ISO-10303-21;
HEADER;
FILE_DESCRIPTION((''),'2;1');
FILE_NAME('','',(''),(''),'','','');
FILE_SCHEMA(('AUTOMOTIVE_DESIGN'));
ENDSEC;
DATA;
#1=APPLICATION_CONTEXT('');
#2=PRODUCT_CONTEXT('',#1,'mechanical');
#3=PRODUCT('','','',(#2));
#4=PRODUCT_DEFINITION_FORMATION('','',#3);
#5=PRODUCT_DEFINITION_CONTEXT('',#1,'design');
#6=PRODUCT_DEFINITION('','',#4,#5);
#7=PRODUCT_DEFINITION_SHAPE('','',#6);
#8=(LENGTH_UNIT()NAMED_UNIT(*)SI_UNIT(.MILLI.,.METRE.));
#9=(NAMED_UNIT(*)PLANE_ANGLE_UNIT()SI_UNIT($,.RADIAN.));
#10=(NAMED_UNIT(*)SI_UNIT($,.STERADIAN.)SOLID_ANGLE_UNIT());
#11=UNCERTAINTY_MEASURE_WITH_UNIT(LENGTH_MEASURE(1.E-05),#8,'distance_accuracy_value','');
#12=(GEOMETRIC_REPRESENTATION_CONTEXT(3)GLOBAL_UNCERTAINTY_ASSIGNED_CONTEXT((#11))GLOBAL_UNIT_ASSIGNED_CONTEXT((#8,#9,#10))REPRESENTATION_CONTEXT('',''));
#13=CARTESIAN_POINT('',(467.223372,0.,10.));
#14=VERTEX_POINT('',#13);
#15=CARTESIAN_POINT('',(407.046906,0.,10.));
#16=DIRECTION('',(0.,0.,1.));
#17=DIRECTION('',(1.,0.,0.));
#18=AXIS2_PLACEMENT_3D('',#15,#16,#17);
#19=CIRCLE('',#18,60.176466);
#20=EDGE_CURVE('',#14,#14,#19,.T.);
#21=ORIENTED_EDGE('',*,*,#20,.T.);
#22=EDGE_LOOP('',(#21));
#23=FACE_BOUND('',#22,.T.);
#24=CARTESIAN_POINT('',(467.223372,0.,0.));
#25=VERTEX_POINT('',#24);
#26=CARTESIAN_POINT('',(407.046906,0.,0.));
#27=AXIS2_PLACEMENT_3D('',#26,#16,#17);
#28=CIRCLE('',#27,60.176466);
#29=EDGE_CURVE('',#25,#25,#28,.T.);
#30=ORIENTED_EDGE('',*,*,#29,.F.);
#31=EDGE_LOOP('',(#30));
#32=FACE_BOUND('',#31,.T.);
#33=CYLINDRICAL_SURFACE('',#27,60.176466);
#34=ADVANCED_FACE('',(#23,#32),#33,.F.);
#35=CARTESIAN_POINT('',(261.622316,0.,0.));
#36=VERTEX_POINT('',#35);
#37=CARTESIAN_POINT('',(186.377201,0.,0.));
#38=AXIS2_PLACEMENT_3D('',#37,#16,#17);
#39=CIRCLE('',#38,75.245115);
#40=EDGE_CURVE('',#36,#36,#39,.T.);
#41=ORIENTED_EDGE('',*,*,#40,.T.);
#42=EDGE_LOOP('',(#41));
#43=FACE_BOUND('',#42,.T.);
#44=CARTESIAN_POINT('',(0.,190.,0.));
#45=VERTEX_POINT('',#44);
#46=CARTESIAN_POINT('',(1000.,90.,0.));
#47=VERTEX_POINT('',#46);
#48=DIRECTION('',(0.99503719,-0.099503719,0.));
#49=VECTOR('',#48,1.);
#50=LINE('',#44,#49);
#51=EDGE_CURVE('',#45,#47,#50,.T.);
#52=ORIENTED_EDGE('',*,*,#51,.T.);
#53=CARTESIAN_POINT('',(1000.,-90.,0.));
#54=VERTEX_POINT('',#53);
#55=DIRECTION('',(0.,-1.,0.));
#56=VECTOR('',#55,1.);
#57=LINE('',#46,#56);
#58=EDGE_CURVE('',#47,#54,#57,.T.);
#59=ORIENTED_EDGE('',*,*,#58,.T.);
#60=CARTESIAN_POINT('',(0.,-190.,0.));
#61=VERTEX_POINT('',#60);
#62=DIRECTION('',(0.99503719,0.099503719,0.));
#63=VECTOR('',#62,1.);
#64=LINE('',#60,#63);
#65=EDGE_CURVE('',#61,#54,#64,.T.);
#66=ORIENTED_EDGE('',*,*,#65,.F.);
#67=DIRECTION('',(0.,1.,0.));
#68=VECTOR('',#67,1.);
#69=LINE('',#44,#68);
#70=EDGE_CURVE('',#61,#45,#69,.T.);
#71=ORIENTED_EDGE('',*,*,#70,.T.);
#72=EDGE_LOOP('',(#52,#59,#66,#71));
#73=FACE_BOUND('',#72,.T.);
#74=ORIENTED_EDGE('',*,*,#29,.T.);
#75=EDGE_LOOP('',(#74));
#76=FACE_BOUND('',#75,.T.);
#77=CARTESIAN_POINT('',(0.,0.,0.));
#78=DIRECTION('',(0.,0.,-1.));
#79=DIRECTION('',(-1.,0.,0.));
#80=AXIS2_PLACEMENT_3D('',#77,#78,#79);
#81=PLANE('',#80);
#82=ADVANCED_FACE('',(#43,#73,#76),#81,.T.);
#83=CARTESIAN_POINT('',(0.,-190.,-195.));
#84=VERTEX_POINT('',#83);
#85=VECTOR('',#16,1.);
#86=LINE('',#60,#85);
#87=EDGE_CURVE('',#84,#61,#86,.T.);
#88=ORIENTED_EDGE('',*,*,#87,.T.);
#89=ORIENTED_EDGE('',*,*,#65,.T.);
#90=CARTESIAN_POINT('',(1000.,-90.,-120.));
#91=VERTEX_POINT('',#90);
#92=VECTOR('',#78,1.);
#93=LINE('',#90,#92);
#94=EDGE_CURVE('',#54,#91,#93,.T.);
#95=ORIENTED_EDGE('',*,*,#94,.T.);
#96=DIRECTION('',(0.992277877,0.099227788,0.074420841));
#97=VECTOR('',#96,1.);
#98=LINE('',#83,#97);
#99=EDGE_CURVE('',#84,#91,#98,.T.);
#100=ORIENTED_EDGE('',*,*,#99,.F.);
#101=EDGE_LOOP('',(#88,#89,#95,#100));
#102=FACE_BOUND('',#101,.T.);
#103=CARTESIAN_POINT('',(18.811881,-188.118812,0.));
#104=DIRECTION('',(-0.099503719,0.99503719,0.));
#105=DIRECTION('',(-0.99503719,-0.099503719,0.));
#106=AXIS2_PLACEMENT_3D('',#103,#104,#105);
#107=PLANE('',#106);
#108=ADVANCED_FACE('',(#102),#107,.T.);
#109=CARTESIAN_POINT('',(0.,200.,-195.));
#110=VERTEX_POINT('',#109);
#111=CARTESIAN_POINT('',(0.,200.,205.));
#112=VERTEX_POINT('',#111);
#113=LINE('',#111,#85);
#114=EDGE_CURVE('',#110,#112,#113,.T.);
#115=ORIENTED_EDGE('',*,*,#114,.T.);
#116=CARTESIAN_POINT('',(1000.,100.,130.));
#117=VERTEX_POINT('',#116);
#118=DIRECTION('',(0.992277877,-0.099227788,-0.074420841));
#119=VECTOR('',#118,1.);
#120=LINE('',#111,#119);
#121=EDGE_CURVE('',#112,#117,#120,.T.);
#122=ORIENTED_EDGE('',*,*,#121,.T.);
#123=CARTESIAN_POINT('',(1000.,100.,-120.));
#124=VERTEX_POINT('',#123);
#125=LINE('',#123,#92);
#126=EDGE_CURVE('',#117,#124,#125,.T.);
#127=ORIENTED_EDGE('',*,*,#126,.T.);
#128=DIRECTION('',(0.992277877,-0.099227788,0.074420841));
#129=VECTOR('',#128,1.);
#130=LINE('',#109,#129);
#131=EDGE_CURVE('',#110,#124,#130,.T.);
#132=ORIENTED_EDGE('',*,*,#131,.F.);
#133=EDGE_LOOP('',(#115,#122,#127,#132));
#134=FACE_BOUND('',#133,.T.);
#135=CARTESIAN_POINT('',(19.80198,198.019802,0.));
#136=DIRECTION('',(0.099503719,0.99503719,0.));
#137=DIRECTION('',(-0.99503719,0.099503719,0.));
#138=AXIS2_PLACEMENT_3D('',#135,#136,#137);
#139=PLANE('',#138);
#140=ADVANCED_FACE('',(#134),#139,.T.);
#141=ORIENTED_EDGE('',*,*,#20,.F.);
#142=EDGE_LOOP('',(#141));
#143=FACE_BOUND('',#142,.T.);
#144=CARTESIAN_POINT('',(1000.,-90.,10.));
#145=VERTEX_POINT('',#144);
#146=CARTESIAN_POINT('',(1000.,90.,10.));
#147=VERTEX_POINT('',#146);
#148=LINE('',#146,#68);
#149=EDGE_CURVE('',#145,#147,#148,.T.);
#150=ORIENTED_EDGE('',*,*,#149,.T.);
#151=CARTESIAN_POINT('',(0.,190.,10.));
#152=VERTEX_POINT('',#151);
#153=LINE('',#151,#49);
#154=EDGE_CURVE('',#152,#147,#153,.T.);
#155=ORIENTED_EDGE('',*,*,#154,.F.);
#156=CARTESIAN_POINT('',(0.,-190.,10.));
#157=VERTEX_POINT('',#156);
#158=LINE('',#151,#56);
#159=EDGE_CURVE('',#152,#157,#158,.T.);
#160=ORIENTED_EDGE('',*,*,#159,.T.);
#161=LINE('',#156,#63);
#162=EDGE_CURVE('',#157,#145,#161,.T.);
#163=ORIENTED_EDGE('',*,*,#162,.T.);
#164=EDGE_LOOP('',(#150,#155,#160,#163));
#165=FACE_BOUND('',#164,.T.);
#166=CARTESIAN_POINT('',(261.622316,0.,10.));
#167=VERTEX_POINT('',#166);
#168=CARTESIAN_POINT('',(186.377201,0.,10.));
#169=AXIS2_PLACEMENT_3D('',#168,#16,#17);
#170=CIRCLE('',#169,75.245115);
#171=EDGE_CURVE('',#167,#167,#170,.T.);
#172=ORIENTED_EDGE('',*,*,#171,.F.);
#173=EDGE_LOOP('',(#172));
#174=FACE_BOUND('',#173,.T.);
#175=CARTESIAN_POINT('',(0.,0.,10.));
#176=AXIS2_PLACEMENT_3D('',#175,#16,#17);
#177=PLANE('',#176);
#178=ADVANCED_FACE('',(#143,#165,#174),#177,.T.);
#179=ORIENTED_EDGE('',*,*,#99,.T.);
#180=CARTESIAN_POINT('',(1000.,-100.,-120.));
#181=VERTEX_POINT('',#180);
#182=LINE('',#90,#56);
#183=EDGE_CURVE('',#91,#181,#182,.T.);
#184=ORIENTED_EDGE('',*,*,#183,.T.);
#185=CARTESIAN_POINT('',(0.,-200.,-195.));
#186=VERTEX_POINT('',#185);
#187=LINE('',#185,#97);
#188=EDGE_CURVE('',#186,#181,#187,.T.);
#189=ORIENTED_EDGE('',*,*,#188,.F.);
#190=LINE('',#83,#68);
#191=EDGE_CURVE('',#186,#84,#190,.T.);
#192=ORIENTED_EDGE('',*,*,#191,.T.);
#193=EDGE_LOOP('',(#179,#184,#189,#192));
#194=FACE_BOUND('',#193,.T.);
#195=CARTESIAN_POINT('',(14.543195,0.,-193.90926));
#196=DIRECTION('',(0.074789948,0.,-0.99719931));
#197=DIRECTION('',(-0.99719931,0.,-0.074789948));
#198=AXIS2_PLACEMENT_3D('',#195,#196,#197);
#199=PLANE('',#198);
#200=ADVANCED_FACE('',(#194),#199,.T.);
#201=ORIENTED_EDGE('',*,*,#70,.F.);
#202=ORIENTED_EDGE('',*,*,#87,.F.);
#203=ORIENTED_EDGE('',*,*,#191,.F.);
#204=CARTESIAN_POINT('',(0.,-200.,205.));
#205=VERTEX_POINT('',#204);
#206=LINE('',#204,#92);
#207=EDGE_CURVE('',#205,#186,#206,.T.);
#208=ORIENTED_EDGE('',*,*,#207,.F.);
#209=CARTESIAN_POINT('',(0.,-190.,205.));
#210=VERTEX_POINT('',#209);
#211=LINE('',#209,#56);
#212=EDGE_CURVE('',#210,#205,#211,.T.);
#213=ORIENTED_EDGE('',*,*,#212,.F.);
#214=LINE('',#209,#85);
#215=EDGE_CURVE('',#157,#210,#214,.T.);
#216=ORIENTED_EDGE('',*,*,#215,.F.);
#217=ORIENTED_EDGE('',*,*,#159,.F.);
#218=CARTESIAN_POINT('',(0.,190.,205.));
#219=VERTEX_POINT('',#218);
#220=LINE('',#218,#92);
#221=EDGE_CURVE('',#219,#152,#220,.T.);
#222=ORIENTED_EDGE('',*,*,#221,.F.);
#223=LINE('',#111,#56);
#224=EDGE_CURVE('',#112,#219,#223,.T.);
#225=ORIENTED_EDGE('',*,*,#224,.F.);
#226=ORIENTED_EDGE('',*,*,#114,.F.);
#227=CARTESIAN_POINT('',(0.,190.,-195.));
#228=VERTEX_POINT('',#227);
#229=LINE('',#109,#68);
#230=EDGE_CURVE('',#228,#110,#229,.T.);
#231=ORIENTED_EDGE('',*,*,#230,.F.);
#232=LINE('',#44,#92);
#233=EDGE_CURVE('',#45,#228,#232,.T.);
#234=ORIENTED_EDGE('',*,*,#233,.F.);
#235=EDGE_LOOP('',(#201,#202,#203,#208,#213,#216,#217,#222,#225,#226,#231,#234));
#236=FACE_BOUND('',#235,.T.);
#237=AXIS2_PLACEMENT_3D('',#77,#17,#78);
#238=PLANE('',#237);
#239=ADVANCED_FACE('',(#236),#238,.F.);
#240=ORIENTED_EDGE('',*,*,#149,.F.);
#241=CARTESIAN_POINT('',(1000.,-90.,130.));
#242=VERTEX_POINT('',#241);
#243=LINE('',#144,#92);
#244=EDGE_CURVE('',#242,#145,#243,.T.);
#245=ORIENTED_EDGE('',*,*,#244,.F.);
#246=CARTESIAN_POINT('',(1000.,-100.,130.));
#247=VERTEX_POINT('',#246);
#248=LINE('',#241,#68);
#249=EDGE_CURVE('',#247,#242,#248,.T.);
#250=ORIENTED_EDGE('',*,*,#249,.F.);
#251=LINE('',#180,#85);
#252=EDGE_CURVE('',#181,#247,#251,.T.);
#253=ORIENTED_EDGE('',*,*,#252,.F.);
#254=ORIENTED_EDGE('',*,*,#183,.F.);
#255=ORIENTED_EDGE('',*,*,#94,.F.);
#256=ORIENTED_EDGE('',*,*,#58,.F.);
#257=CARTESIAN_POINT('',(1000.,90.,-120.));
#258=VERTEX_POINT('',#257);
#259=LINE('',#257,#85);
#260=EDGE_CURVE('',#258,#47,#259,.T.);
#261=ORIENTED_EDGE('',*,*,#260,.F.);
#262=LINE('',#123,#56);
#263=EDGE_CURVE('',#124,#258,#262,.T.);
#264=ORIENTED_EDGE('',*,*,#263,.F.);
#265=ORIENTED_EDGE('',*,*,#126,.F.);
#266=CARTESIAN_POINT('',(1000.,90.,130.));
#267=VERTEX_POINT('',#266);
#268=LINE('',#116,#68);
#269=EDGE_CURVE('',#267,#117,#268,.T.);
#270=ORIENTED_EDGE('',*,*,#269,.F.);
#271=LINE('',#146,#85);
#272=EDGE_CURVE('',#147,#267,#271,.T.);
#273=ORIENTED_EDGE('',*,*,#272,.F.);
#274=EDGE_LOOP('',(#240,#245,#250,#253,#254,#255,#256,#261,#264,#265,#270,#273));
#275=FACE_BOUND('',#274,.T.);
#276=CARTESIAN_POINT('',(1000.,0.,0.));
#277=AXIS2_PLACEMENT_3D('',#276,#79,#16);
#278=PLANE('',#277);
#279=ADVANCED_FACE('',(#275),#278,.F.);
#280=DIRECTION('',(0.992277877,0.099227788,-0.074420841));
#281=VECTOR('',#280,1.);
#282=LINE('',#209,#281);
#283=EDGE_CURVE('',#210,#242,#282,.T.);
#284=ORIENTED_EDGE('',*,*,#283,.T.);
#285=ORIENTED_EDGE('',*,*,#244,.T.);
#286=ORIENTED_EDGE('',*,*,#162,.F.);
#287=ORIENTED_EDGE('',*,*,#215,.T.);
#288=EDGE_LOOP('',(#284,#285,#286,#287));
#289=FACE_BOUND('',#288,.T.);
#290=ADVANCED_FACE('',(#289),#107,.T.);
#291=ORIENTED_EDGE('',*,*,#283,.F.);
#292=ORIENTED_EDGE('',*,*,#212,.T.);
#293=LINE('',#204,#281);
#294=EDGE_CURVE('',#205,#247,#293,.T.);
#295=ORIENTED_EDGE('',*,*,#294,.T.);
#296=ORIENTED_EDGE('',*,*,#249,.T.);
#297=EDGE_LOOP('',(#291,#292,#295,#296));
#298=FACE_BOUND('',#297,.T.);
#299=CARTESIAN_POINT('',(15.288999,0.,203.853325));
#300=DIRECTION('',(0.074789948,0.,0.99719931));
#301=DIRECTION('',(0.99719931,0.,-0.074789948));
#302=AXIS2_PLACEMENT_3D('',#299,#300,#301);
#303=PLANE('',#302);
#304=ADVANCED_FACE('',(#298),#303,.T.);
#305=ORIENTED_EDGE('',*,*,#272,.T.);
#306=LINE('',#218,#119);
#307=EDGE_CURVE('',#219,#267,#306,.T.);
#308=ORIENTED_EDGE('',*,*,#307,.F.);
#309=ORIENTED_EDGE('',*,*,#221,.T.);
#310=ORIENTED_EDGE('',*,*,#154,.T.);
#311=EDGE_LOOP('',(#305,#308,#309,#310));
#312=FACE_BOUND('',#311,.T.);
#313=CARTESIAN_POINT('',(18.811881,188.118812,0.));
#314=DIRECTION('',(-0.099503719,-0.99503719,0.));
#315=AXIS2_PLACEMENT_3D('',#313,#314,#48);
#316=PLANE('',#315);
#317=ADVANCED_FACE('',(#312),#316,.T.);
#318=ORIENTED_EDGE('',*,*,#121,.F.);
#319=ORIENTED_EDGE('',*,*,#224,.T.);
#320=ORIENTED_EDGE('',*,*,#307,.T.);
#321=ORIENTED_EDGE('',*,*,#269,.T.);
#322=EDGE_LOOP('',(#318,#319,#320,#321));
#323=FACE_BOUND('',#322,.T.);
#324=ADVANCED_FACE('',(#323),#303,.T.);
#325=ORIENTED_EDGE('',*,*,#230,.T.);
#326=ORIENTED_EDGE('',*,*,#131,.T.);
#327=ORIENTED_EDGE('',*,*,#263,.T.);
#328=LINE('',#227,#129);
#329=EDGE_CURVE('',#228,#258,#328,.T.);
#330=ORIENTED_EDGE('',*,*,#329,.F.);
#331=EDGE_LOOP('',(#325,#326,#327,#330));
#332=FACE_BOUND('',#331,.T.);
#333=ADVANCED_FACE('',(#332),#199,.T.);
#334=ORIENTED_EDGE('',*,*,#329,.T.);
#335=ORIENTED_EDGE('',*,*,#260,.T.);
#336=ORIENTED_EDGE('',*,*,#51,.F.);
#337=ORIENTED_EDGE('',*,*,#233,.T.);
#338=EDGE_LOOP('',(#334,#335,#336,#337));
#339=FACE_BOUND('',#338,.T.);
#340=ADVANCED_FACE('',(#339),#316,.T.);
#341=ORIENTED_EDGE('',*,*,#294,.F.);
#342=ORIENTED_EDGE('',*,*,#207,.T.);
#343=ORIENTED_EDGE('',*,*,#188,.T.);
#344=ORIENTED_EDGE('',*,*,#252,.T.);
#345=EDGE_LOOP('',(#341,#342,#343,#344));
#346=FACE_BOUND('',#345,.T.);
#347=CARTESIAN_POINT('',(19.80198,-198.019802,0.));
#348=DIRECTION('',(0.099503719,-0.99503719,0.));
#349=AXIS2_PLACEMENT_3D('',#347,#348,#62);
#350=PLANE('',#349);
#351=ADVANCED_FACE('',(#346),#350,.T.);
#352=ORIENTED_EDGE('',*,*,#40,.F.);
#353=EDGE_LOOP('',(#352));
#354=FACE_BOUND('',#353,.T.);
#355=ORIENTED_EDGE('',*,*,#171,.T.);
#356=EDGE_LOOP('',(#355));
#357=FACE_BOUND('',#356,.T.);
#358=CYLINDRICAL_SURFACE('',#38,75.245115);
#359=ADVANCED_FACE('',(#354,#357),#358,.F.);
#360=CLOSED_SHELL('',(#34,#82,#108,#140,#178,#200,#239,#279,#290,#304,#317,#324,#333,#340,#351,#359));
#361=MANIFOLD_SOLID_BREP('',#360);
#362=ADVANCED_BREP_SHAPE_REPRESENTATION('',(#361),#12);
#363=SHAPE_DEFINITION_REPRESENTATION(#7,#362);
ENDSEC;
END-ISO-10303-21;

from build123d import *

# Parameters (mm, degrees)
SKETCH5_R          = 75.245114963
SKETCH5_R_2        = 60.176466442
CUT_EXTRUDE1_DEPTH = 10


with BuildPart() as part:
    # Sketch1 → Loft4 section 0
    with BuildSketch(Plane(origin=(0, 0, 0), x_dir=(0, 0, -1), z_dir=(1, 0, 0))):
        Polygon((-205, 200), (195, 200), (195, 190), (0, 190), (0, -190), (195, -190), (195, -200), (-205, -200), (-205, -190), (-10, -190), (-10, 190), (-205, 190), align=None)
    # Sketch4 → Loft4 section 1
    with BuildSketch(Plane(origin=(1000, 0, -1000), x_dir=(0, 0, 1), z_dir=(-1, 0, 0))):
        Polygon((880, 100), (1130, 100), (1130, 90), (1010, 90), (1010, -90), (1130, -90), (1130, -100), (880, -100), (880, -90), (1000, -90), (1000, 90), (880, 90), align=None)
    loft()

    # Sketch5 → Cut-Extrude1 (cut)
    with BuildSketch(Plane.XY.offset(10)):
        with Locations((186.377200583, 0)):
            Circle(SKETCH5_R)
        with Locations((407.046905619, 0)):
            Circle(SKETCH5_R_2)
    extrude(amount=-CUT_EXTRUDE1_DEPTH, mode=Mode.SUBTRACT)


solid = part.part
